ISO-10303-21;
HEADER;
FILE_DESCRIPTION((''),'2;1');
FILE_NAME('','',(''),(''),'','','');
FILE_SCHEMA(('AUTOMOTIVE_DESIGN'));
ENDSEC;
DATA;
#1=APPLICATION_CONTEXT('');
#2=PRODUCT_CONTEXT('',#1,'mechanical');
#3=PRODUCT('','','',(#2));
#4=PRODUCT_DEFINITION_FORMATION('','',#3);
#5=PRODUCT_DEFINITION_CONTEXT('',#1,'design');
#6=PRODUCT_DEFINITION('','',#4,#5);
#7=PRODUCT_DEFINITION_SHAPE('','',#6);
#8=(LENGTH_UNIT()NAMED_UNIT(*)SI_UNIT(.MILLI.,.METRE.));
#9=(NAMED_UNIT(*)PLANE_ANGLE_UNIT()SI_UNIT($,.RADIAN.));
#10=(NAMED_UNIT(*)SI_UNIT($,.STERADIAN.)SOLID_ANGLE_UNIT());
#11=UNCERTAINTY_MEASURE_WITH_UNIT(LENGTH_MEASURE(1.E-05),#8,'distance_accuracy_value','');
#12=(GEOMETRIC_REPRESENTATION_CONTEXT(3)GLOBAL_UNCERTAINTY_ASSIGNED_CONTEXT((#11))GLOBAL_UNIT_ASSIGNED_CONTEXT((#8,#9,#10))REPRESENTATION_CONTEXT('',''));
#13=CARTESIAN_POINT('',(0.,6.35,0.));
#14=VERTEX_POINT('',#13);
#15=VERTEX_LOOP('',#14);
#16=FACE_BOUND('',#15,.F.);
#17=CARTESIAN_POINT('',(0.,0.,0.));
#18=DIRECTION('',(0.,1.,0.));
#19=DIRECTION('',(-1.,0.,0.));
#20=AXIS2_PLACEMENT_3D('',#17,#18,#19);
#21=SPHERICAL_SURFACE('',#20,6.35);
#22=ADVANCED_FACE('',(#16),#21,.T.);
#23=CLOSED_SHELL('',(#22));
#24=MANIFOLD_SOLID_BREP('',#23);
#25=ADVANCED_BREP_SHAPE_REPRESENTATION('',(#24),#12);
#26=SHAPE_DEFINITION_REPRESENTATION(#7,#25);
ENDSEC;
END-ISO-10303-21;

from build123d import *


with BuildPart() as part:
    # Sketch1 → Revolve1 (revolve)
    with BuildSketch(Plane.XY):
        with BuildLine():
            Line((0, 6.35), (0, -6.35))
            ThreePointArc((0, -6.35), (-6.35, 0), (0, 6.35))
        make_face()
    revolve(axis=Axis((0, 6.35, 0), (0, -1, 0)))


solid = part.part
